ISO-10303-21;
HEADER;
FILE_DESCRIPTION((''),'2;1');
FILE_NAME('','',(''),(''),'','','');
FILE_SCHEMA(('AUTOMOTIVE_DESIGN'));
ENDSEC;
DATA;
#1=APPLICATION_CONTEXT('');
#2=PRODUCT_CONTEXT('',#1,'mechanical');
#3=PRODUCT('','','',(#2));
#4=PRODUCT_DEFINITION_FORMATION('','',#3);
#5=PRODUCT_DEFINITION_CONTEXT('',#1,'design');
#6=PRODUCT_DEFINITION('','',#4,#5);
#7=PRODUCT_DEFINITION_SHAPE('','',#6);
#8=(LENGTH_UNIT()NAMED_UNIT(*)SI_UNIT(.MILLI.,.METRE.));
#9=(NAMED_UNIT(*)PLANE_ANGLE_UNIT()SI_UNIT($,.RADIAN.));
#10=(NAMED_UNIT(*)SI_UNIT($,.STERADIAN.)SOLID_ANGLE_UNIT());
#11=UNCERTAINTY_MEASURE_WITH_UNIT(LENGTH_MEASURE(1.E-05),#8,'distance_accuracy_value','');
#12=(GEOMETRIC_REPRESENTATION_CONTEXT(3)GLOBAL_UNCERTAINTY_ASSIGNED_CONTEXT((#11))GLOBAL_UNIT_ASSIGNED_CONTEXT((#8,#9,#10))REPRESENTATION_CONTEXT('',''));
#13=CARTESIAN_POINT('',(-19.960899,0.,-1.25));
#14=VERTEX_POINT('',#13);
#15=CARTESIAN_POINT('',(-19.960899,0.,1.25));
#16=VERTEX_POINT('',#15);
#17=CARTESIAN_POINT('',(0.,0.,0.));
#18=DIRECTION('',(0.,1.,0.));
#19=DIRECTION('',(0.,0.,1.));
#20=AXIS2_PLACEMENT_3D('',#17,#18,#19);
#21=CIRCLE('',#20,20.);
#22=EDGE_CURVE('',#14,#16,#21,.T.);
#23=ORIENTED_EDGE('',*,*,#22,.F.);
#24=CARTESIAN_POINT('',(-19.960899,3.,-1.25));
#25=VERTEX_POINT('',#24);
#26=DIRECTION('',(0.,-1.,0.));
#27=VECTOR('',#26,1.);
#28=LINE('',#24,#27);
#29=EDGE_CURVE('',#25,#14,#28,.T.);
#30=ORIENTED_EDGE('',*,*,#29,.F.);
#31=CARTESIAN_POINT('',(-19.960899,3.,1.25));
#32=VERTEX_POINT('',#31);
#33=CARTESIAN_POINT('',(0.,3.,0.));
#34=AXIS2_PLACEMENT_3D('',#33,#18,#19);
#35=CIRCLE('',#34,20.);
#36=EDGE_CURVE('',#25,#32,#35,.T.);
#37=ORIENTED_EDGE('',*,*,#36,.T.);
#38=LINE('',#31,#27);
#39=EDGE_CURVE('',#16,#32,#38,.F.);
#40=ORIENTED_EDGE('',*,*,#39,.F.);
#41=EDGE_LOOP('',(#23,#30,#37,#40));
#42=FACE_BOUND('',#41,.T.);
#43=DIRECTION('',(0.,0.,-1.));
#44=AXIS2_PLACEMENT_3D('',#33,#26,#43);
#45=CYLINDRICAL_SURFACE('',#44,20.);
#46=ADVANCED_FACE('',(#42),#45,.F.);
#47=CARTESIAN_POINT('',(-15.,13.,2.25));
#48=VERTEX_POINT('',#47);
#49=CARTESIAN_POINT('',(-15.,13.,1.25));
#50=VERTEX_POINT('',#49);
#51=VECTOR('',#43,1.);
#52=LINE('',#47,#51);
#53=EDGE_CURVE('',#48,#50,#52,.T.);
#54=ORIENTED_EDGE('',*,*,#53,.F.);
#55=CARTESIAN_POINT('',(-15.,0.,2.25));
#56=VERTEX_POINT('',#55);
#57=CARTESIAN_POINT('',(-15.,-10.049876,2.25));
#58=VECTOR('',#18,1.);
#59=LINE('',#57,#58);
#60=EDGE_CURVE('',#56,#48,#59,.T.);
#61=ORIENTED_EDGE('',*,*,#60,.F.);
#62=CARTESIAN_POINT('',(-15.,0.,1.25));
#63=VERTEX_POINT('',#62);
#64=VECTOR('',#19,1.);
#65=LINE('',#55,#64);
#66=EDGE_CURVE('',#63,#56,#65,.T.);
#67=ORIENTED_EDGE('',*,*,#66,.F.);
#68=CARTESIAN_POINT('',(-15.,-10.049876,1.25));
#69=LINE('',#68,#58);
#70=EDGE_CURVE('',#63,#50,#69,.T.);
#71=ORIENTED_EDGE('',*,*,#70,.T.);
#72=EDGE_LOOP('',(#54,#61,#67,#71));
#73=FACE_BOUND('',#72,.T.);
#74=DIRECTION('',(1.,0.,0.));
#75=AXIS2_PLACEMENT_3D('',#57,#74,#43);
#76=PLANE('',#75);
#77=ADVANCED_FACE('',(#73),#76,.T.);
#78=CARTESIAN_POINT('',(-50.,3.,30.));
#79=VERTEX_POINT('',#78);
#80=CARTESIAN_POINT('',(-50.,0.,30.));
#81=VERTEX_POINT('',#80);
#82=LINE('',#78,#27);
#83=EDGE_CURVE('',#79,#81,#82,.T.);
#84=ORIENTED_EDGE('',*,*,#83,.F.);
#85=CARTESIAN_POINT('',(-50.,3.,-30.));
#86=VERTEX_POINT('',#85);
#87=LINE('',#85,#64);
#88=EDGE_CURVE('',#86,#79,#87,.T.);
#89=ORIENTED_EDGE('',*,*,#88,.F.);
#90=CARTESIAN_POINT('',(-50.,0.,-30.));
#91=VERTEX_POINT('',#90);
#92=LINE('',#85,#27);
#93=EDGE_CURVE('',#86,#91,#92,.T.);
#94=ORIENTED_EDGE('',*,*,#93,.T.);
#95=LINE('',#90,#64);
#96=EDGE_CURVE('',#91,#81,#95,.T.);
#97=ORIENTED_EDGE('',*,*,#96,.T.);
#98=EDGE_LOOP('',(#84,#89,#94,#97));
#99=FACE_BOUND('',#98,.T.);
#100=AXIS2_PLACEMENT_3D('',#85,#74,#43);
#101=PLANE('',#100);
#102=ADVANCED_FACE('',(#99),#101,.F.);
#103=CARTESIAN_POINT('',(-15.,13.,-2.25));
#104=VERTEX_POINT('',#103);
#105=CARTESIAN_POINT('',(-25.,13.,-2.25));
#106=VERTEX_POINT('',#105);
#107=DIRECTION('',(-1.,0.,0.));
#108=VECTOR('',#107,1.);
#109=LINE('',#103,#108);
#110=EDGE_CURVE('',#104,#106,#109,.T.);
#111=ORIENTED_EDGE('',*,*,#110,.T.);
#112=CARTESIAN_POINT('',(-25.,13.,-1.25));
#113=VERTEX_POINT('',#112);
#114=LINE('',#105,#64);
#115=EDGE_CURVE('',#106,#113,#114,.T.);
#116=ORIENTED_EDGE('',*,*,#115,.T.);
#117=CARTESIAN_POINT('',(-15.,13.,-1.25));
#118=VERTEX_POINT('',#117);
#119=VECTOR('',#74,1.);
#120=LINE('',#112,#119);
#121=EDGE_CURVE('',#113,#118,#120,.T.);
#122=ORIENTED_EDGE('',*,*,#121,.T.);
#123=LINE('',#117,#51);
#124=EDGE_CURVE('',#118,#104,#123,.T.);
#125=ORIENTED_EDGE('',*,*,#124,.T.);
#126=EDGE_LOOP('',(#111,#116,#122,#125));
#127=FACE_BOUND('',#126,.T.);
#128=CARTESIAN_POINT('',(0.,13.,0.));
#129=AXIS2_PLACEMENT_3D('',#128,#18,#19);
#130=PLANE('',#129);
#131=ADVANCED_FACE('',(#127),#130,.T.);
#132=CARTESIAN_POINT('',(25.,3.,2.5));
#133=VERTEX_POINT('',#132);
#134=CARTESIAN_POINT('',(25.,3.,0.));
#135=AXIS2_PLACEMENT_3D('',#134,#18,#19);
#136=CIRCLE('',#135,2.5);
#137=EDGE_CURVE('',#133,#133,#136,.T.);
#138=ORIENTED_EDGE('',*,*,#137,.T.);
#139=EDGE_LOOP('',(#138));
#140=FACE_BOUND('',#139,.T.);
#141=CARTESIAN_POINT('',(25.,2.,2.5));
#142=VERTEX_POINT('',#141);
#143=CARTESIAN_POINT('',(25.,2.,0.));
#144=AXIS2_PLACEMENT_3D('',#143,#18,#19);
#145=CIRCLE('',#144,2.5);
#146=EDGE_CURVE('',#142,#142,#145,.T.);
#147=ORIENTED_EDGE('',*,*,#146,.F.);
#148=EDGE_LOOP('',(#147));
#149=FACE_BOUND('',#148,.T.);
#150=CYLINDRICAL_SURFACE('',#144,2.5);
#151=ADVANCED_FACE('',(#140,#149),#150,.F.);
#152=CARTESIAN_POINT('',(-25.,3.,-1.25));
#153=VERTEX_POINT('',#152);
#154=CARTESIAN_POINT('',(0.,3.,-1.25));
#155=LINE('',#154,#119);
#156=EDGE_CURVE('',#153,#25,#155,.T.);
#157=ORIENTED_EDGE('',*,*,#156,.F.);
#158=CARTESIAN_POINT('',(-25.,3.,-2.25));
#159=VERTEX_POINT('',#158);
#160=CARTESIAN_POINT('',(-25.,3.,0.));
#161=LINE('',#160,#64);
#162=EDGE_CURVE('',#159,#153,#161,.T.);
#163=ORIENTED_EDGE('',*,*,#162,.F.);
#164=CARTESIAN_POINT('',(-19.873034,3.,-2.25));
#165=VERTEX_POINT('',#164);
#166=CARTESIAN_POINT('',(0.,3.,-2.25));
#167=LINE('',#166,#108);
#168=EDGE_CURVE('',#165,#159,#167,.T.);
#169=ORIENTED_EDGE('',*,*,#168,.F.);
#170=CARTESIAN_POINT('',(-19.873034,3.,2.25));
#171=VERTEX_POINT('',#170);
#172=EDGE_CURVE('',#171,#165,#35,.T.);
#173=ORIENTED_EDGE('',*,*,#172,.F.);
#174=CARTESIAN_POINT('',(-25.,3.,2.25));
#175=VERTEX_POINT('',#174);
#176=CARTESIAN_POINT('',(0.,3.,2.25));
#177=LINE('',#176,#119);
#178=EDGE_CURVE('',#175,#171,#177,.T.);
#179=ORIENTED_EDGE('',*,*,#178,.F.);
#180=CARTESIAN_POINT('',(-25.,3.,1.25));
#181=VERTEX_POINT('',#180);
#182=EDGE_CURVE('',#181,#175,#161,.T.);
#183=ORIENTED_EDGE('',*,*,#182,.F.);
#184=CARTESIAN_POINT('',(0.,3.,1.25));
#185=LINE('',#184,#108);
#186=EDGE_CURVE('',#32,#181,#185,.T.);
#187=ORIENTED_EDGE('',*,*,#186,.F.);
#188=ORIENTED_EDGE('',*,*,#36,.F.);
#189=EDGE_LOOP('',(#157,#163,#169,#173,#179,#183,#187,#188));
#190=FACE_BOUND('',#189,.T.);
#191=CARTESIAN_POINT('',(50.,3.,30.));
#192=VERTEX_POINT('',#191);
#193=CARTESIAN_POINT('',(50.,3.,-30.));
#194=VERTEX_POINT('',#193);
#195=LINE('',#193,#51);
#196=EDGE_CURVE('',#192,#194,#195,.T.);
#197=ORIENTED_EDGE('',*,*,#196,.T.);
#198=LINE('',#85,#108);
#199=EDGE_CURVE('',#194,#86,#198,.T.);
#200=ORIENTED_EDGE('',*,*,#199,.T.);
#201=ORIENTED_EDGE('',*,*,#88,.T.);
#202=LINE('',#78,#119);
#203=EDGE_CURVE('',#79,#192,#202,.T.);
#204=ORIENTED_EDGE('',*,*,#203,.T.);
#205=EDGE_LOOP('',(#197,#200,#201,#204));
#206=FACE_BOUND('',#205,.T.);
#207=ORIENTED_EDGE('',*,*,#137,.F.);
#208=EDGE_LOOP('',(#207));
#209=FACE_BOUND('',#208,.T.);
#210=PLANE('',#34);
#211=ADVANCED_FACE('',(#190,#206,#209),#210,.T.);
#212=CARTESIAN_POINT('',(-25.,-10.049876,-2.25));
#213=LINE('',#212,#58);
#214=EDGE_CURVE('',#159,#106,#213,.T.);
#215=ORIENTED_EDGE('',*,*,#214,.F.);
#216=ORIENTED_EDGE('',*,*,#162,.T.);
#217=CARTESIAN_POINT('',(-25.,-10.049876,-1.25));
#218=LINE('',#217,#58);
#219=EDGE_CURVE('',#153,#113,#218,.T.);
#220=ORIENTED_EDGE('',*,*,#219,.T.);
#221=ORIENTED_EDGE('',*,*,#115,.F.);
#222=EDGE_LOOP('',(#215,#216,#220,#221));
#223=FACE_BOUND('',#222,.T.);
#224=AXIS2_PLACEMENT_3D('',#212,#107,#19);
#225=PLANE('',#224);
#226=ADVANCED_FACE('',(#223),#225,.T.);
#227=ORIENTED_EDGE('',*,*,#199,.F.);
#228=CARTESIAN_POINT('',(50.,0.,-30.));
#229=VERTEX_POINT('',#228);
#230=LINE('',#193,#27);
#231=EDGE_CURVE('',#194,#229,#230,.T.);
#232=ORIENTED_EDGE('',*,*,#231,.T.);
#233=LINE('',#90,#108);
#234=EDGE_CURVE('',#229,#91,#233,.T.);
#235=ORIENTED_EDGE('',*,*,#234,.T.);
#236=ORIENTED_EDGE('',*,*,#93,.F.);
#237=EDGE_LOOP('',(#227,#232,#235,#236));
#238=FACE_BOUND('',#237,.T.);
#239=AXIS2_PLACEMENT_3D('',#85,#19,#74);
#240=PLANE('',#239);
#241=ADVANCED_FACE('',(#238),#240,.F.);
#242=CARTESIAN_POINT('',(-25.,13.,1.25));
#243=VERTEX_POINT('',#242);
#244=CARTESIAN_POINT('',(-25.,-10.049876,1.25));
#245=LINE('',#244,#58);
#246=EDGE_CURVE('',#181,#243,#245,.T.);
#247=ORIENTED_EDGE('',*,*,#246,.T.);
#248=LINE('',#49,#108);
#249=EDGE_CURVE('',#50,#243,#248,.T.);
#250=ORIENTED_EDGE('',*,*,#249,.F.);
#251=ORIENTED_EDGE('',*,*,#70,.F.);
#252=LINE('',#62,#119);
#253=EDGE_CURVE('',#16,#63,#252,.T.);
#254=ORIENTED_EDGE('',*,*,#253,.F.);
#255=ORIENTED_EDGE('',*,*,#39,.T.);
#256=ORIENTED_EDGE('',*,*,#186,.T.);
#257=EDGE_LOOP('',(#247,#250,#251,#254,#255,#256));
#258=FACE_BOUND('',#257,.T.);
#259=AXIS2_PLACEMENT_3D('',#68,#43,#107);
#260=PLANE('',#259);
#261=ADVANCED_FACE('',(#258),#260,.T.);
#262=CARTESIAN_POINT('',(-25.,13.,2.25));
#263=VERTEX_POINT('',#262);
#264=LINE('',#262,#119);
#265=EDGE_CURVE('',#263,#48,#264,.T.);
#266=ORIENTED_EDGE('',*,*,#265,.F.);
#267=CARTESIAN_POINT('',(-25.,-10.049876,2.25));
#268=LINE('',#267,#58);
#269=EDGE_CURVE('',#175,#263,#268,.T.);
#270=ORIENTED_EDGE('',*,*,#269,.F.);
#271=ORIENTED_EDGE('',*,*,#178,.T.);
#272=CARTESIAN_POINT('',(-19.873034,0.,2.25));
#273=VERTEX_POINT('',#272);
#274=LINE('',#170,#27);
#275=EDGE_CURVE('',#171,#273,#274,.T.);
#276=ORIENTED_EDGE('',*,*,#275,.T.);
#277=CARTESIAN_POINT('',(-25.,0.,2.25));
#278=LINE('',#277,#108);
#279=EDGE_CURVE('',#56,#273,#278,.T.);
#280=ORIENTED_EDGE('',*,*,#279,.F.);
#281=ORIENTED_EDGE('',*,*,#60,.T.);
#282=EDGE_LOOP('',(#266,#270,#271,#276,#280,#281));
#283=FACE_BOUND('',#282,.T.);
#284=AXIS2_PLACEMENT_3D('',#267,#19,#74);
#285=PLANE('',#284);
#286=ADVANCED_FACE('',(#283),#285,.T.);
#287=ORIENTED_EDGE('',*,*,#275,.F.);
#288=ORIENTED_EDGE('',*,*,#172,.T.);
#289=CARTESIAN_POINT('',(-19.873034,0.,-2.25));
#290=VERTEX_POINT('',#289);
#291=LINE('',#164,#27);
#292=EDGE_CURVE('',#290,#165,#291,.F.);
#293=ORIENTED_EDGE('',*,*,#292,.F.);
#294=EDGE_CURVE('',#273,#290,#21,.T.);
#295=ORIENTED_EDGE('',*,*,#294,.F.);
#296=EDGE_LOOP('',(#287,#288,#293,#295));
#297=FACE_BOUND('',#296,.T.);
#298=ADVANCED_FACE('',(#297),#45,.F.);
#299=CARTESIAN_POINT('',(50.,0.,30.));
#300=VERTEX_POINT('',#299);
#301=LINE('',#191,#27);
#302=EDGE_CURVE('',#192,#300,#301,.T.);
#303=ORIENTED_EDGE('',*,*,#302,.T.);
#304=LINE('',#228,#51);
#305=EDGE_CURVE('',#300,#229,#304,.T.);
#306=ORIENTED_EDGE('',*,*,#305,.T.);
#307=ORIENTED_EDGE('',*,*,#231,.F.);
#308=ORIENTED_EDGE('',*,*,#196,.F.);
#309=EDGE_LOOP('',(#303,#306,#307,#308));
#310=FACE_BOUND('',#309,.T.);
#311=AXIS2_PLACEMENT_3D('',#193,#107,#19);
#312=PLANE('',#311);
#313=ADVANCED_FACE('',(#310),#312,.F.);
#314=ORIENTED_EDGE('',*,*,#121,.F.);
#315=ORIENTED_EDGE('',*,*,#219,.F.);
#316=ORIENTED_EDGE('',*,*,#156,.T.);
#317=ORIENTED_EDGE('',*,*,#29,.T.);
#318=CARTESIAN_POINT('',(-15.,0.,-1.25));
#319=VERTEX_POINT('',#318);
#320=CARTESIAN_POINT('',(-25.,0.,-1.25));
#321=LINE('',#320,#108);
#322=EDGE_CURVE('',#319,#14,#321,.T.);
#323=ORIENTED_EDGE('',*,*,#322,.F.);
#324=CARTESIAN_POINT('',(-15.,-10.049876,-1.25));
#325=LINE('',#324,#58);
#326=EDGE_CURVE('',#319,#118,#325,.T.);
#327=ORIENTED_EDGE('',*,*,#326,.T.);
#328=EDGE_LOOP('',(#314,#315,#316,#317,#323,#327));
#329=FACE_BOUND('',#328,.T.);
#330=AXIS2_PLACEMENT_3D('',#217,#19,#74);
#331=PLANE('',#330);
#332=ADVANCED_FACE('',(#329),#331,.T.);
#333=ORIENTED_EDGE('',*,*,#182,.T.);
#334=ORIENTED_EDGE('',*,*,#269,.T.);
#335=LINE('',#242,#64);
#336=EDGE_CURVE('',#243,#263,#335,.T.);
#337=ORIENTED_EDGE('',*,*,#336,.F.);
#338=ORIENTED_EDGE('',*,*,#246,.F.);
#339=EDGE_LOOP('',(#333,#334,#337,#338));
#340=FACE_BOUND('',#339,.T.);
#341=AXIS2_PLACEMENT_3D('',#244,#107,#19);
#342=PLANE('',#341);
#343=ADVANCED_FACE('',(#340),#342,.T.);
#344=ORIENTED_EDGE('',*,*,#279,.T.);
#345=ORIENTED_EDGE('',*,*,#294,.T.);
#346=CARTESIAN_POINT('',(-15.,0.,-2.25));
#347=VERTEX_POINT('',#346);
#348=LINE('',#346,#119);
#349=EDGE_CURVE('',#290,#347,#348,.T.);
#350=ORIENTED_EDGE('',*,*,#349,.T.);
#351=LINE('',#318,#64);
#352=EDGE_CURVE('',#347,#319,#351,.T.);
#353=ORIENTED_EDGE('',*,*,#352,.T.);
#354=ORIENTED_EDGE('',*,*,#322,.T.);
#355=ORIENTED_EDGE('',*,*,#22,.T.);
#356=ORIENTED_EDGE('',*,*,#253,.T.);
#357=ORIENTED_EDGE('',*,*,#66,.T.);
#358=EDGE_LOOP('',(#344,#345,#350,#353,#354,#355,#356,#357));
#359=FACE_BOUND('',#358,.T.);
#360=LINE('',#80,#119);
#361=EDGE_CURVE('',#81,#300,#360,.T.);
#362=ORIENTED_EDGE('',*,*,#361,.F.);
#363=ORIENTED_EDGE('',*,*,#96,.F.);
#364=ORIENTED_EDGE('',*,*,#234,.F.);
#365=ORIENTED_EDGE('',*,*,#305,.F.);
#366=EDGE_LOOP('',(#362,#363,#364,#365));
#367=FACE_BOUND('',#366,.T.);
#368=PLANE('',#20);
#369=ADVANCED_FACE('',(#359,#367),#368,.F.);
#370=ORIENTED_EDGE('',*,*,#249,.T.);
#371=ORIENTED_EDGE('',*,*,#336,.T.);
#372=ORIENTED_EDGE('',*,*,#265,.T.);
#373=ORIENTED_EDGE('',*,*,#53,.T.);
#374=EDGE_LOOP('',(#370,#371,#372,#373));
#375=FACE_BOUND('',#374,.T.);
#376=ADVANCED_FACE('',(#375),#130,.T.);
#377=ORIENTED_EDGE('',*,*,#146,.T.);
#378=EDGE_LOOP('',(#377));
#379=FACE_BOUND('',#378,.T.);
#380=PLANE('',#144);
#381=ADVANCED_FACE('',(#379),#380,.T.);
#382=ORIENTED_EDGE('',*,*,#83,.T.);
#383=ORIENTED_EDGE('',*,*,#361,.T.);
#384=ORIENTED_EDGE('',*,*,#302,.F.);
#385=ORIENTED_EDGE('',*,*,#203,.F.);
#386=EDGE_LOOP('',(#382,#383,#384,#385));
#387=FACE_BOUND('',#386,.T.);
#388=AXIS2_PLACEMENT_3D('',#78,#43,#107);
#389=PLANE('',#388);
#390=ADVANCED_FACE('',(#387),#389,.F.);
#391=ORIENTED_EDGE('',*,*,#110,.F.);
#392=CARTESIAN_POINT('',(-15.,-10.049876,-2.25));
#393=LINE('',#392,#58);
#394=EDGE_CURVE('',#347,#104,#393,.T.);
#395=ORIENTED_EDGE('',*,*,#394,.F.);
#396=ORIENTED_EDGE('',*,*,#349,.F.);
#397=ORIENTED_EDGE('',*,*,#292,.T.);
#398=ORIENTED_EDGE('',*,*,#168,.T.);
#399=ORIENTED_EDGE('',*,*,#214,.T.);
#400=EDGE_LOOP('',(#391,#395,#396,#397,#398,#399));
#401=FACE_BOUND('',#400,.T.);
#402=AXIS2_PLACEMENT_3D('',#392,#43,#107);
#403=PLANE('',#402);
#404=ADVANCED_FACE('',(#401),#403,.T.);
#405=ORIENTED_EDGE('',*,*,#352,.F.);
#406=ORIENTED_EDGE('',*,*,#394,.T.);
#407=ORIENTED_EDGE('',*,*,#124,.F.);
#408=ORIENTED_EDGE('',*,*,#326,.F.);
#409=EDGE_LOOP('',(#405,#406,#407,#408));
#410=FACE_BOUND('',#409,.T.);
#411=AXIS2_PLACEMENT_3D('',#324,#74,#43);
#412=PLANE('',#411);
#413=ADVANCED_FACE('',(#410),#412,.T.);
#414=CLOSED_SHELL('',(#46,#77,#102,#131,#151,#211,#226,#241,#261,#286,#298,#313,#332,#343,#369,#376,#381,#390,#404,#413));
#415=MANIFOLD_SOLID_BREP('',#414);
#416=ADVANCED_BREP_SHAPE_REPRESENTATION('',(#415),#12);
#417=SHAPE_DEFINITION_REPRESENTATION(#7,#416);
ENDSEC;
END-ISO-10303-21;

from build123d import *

# Parameters (mm, degrees)
CROQUIS1_W                   = 100
CROQUIS1_H                   = 60
CROQUIS1_R                   = 20
SALIENTE_EXTRUIR1_DEPTH      = 3
CROQUIS2_W                   = 10
CROQUIS2_H                   = 1
SALIENTE_EXTRUIR2_DEPTH      = 10
SALIENTE_EXTRUIR2_DEPTH_BACK = 3
CROQUIS3_R                   = 2.5
CORTAR_EXTRUIR1_DEPTH        = 1


with BuildPart() as part:
    # Croquis1 → Saliente-Extruir1 (new body)
    with BuildSketch(Plane(origin=(0, 0, 0), x_dir=(1, 0, 0), z_dir=(0, 1, 0))):
        Rectangle(CROQUIS1_W, CROQUIS1_H)
        Circle(CROQUIS1_R, mode=Mode.SUBTRACT)
    extrude(amount=SALIENTE_EXTRUIR1_DEPTH)

    # Croquis2 → Saliente-Extruir2 (add, two sides)
    with BuildSketch(Plane(origin=(0, 3, 0), x_dir=(1, 0, 0), z_dir=(0, 1, 0))) as saliente_extruir2_sk:
        with Locations((-20, 1.75)):
            Rectangle(CROQUIS2_W, CROQUIS2_H)
        with Locations((-20, -1.75)):
            Rectangle(CROQUIS2_W, CROQUIS2_H)
    extrude(amount=SALIENTE_EXTRUIR2_DEPTH)
    extrude(saliente_extruir2_sk.sketch, amount=-SALIENTE_EXTRUIR2_DEPTH_BACK)

    # Croquis3 → Cortar-Extruir1 (cut)
    with BuildSketch(Plane(origin=(0, 3, 0), x_dir=(1, 0, 0), z_dir=(0, 1, 0))):
        with Locations((25, 0)):
            Circle(CROQUIS3_R)
    extrude(amount=-CORTAR_EXTRUIR1_DEPTH, mode=Mode.SUBTRACT)


solid = part.part
